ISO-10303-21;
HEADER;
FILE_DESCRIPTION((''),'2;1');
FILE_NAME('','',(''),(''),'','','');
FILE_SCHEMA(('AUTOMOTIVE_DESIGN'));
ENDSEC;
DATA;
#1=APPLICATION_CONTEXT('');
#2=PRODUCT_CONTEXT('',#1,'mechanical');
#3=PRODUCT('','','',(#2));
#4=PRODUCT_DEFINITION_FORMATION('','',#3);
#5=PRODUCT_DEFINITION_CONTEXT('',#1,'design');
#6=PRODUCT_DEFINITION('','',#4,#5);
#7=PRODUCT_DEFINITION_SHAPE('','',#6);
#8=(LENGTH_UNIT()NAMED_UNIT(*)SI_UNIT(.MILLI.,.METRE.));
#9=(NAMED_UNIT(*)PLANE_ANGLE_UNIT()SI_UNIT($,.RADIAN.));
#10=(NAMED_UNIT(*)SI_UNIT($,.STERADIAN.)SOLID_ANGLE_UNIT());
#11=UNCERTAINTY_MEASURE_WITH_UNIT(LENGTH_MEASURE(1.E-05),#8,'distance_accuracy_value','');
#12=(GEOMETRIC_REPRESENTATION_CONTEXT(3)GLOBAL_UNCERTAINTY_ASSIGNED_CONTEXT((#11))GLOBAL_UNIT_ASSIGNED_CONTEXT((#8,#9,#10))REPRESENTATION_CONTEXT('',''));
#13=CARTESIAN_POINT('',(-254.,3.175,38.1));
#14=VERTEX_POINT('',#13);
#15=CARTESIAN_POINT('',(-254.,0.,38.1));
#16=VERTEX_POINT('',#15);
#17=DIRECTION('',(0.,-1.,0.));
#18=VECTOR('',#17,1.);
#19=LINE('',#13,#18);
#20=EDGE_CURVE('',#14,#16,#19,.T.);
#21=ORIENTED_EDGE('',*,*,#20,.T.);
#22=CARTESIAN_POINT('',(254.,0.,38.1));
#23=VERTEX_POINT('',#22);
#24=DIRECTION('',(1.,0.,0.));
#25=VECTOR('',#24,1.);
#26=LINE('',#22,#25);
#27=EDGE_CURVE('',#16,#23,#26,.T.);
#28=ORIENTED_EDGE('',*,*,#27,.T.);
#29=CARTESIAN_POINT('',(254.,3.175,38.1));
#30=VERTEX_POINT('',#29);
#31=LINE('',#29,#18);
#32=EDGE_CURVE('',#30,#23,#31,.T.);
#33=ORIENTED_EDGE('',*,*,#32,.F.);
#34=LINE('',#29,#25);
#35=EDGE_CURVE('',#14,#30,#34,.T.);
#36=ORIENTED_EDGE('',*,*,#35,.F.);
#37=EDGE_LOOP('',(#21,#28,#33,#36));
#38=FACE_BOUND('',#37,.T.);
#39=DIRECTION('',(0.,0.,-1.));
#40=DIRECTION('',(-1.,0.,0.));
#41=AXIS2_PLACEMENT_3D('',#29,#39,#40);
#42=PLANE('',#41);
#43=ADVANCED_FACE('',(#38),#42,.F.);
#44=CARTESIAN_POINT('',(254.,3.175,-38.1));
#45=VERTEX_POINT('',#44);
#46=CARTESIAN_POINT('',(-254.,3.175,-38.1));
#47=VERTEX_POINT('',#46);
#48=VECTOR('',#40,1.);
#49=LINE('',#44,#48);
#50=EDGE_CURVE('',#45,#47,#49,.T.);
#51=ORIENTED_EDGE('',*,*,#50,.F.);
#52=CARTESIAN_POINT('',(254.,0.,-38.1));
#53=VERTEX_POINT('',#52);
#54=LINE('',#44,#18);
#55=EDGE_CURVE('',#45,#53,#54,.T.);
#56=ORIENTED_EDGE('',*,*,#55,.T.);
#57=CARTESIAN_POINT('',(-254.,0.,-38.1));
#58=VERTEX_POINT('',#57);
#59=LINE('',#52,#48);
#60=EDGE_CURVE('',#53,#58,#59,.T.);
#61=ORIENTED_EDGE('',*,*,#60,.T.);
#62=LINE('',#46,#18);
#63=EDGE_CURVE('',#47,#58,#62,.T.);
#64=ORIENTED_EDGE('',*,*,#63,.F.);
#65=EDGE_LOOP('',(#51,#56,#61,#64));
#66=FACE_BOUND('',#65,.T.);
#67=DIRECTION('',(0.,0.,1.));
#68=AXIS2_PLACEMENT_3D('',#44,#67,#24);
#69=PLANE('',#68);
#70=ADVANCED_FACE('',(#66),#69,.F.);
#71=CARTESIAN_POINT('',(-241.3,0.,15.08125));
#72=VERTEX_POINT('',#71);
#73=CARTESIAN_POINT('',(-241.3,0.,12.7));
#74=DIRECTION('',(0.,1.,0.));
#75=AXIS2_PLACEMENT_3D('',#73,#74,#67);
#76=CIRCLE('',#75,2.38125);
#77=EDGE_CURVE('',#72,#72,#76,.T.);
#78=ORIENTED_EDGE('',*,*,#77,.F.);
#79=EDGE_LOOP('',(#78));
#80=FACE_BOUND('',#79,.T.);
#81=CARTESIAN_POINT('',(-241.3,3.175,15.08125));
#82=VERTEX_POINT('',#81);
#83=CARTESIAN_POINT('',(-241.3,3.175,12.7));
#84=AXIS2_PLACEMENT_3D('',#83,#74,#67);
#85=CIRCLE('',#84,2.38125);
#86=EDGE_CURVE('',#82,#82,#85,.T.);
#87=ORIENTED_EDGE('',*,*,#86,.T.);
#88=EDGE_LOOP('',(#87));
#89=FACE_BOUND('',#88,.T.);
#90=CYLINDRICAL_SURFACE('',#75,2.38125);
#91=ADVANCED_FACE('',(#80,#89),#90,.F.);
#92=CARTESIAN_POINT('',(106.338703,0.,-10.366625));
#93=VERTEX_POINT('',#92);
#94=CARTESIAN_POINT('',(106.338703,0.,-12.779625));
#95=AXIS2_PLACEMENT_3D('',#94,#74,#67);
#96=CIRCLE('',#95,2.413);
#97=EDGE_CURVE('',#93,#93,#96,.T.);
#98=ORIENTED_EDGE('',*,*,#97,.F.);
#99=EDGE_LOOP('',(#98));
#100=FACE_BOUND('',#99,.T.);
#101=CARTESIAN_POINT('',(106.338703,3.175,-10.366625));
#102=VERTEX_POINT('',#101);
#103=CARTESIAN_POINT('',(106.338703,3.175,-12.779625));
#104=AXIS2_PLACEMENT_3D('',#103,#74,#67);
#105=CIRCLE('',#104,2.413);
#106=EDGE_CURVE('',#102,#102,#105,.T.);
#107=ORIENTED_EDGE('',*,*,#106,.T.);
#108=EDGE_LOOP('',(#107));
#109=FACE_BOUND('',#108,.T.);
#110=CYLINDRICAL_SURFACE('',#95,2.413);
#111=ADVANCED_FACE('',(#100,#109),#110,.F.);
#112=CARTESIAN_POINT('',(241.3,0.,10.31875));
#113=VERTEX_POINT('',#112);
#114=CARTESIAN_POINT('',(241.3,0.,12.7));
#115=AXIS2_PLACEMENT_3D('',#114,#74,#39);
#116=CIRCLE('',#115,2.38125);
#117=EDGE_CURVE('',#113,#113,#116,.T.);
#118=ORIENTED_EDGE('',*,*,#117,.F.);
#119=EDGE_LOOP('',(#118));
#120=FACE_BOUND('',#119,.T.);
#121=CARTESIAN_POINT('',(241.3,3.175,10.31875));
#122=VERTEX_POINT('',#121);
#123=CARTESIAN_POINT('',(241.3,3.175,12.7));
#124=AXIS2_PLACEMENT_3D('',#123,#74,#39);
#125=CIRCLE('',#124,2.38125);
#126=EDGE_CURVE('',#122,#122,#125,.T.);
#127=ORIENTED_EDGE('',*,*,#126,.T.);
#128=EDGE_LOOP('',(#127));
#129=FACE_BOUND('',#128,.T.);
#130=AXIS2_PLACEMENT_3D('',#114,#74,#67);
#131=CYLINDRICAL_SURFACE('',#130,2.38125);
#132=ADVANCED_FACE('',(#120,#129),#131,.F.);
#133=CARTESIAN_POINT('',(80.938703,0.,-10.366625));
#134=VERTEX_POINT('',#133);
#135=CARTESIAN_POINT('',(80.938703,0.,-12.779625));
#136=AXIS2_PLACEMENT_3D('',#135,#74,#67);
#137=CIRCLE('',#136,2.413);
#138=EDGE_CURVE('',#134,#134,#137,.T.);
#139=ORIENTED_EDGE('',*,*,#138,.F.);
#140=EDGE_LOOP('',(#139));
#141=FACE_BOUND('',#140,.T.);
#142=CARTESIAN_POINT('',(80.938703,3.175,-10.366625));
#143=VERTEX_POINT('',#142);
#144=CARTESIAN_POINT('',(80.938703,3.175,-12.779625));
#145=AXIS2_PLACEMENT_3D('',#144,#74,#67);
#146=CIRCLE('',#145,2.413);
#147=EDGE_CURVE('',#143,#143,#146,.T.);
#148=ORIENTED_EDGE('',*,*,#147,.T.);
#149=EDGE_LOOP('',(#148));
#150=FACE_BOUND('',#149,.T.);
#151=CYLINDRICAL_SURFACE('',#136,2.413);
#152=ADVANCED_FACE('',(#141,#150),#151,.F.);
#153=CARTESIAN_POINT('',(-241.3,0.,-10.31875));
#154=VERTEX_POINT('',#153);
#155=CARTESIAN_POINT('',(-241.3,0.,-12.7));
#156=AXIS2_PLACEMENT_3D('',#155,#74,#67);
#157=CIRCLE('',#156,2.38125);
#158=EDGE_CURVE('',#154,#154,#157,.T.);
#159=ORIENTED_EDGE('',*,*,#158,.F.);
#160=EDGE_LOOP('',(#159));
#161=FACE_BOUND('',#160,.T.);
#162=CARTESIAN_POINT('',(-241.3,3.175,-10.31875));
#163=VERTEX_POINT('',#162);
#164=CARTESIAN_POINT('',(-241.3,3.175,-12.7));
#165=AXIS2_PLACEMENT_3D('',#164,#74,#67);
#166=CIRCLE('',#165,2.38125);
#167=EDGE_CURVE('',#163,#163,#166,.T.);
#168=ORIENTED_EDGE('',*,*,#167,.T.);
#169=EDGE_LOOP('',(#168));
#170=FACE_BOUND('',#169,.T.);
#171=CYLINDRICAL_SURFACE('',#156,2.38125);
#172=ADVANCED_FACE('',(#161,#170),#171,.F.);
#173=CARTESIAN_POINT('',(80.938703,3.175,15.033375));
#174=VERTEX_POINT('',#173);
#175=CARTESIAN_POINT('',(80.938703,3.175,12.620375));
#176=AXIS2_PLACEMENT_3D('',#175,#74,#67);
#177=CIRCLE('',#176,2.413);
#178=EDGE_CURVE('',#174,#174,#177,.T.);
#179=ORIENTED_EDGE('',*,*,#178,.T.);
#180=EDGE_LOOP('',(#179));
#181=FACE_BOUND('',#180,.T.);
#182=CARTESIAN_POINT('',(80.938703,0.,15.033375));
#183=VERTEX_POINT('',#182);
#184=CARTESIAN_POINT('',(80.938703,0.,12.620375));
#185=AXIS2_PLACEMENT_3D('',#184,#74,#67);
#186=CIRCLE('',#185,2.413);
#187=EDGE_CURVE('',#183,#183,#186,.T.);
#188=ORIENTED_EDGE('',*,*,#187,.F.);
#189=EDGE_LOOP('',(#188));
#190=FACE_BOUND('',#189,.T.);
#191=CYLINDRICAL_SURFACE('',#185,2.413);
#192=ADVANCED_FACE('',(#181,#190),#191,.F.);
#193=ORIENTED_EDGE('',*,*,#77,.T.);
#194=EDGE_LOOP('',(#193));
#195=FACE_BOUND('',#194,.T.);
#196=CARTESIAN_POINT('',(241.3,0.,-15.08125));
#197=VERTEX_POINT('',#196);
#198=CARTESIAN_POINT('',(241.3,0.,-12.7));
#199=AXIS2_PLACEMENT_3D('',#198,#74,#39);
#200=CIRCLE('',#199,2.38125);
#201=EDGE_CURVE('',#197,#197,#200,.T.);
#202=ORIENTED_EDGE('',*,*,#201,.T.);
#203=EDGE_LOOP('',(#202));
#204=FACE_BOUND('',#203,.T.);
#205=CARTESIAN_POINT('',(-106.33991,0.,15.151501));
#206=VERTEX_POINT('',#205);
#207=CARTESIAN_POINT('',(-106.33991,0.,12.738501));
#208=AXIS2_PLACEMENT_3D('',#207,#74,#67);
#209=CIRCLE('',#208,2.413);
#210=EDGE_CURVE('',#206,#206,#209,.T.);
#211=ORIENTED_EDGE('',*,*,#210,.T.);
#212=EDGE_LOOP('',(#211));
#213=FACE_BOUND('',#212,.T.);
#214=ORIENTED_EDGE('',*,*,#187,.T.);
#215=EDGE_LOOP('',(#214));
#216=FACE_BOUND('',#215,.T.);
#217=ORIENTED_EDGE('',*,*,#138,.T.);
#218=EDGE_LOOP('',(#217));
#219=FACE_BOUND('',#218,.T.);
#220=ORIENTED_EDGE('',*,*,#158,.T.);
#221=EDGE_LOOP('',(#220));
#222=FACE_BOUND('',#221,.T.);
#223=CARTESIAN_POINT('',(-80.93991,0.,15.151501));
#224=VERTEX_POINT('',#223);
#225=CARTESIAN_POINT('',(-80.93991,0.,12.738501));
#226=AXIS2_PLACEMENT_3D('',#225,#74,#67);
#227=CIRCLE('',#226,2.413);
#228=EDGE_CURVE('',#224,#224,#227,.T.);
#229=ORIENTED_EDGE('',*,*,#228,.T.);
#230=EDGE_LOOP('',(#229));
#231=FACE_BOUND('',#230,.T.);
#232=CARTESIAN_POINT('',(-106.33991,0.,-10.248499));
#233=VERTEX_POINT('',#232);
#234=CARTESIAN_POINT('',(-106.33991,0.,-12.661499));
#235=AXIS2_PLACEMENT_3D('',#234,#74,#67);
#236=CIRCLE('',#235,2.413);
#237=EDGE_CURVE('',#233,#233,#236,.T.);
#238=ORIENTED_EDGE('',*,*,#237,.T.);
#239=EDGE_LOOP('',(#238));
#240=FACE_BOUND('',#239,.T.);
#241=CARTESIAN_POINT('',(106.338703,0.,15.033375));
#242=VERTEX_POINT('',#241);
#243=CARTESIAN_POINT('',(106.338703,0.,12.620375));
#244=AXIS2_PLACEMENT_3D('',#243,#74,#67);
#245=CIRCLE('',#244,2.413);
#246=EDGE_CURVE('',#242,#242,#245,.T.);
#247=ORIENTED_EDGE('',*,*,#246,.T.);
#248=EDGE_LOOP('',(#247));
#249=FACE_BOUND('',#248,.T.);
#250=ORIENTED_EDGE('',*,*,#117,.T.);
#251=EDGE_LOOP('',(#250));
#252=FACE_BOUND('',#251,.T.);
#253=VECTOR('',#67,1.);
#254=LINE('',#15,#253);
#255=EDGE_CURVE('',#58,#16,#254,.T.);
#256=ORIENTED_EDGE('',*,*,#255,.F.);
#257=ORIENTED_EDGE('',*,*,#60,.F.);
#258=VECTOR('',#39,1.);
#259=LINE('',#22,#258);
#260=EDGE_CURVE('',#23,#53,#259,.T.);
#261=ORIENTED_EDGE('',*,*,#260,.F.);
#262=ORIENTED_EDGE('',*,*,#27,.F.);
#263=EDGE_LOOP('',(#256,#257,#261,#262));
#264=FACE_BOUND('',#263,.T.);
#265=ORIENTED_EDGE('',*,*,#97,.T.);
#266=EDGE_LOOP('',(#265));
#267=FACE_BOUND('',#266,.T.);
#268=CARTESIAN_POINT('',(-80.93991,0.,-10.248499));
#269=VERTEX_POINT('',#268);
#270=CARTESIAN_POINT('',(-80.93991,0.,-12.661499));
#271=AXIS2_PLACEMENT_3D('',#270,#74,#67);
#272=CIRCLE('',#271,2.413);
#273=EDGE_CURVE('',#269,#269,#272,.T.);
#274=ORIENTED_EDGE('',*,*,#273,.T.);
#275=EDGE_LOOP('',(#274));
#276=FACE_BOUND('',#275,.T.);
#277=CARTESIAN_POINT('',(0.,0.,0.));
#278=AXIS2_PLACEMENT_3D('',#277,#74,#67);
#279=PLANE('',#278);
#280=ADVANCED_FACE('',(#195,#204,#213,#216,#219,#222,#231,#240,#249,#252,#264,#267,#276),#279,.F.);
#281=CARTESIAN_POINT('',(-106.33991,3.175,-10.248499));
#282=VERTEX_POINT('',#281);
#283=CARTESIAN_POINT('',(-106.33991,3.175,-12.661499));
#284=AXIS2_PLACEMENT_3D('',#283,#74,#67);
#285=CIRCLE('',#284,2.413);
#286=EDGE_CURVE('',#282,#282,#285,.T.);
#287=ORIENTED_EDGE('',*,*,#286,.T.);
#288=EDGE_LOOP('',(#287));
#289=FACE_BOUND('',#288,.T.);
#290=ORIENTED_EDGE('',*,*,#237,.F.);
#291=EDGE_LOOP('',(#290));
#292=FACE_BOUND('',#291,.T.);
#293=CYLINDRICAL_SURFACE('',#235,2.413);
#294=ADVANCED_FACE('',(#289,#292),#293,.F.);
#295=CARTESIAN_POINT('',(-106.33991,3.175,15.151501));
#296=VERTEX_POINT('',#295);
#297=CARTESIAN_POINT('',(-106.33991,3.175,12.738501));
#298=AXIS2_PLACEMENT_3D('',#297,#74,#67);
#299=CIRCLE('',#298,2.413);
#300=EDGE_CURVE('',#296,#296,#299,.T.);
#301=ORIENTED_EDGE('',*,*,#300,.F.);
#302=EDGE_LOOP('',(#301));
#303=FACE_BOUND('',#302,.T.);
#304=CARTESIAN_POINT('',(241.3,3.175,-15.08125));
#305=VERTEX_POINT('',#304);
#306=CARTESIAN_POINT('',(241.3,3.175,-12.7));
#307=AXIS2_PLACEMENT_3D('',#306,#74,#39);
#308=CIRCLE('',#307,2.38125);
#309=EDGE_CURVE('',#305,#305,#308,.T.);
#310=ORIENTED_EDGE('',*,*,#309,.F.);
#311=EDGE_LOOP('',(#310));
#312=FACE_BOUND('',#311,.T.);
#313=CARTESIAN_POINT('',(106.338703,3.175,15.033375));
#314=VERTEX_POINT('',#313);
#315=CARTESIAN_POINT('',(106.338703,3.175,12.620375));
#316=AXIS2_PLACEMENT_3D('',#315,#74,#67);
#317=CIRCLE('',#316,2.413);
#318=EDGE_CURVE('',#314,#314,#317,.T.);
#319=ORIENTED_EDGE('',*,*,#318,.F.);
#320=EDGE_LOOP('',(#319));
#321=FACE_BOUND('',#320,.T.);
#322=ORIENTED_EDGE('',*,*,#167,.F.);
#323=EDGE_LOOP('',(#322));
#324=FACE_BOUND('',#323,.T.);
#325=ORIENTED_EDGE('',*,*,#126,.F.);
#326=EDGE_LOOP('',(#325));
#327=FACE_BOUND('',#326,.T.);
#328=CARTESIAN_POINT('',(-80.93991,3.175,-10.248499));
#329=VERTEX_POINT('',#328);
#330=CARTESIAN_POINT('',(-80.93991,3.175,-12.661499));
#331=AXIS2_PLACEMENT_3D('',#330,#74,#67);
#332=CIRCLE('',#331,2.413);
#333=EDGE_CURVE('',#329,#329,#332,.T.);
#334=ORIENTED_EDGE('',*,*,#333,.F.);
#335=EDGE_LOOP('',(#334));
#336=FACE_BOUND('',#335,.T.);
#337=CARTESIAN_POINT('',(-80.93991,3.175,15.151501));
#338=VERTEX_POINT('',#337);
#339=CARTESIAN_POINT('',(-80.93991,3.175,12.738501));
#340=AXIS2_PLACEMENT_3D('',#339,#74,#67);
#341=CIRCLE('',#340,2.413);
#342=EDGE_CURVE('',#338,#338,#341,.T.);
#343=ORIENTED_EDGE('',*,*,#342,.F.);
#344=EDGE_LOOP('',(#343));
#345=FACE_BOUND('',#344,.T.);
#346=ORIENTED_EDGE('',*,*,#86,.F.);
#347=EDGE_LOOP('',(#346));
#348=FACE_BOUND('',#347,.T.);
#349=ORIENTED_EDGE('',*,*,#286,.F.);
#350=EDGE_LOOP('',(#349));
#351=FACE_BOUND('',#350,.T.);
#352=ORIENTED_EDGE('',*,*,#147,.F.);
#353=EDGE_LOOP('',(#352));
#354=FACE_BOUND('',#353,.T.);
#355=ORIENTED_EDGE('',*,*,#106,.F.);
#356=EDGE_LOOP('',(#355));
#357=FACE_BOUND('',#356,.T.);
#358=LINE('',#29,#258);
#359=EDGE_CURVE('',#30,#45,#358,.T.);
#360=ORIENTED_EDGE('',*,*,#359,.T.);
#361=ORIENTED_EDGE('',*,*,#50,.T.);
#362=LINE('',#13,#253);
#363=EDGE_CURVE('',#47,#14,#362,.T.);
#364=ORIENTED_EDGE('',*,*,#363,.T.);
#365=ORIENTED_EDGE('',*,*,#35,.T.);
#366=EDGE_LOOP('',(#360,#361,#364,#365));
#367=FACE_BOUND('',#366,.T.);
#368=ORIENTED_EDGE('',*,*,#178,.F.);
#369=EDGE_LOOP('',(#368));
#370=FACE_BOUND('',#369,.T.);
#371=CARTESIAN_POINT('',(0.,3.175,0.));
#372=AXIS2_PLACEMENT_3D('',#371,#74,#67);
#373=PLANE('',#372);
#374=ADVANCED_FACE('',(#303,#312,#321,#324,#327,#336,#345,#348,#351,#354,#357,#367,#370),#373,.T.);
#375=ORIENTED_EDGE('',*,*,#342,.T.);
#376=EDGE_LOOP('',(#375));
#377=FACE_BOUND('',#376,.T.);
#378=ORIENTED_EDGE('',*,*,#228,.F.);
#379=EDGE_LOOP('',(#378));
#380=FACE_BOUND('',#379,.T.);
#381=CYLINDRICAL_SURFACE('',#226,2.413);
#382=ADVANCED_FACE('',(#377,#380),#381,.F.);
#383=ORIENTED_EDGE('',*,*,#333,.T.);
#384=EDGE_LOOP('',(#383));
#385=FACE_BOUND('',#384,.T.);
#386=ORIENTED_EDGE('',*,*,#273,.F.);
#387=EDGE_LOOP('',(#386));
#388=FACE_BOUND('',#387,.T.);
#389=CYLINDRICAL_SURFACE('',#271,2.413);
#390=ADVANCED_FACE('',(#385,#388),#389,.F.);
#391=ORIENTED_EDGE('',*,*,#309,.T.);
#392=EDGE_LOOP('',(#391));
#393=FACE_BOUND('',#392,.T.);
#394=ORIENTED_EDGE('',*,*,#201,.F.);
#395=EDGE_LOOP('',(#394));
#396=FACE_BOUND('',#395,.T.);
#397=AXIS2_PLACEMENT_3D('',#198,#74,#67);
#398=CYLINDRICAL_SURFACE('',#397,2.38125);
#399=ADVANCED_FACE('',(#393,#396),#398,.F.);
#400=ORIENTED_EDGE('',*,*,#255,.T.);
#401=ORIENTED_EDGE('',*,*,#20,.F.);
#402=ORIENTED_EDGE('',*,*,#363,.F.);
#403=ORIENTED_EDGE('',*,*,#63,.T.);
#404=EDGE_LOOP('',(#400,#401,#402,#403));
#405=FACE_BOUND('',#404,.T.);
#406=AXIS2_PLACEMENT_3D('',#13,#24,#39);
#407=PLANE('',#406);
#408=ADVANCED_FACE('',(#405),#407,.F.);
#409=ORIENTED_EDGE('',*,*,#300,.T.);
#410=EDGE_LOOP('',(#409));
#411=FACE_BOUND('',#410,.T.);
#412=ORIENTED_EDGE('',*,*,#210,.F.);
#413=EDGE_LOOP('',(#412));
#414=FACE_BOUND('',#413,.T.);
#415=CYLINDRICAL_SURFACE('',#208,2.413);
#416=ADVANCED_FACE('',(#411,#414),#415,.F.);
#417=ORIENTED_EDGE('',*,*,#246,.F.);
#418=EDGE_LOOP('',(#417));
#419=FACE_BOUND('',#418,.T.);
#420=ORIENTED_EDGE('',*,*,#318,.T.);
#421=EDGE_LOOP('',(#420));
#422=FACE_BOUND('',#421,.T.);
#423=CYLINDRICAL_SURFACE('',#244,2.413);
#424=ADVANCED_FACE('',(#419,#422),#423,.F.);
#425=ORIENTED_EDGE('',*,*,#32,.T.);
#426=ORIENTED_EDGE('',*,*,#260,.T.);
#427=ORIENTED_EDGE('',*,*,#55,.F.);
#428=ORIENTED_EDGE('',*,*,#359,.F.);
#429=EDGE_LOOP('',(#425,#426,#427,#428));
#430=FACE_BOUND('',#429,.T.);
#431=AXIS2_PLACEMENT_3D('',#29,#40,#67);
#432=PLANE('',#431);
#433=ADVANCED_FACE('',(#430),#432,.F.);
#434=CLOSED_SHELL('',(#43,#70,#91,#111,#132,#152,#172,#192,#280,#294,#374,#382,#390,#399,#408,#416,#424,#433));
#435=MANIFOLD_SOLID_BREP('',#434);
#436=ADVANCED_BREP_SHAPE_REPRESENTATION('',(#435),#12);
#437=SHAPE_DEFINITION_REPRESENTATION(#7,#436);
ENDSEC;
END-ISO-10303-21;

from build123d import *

# Parameters (mm, degrees)
SKETCH1_W           = 508
SKETCH1_H           = 76.2
BOSS_EXTRUDE1_DEPTH = 3.175
SKETCH2_R           = 2.413
CUT_EXTRUDE1_DEPTH  = 3.175
SKETCH3_R           = 2.38125
CUT_EXTRUDE2_DEPTH  = 3.175


with BuildPart() as part:
    # Sketch1 → Boss-Extrude1 (new body)
    with BuildSketch(Plane(origin=(0, 0, 0), x_dir=(1, 0, 0), z_dir=(0, 1, 0))):
        Rectangle(SKETCH1_W, SKETCH1_H)
    extrude(amount=BOSS_EXTRUDE1_DEPTH)

    # Sketch2 → Cut-Extrude1 (cut)
    with BuildSketch(Plane(origin=(0, 3.175, 0), x_dir=(1, 0, 0), z_dir=(0, 1, 0))):
        with Locations((-106.339909649, -12.738500789)):
            Circle(SKETCH2_R)
        with Locations((-106.339909649, 12.661499211)):
            Circle(SKETCH2_R)
        with Locations((-80.939909649, 12.661499211)):
            Circle(SKETCH2_R)
        with Locations((-80.939909649, -12.738500789)):
            Circle(SKETCH2_R)
        with Locations((106.338702735, -12.620374528)):
            Circle(SKETCH2_R)
        with Locations((106.338702735, 12.779625472)):
            Circle(SKETCH2_R)
        with Locations((80.938702735, 12.779625472)):
            Circle(SKETCH2_R)
        with Locations((80.938702735, -12.620374528)):
            Circle(SKETCH2_R)
    extrude(amount=-CUT_EXTRUDE1_DEPTH, mode=Mode.SUBTRACT)

    # Sketch3 → Cut-Extrude2 (cut)
    with BuildSketch(Plane(origin=(0, 3.175, 0), x_dir=(1, 0, 0), z_dir=(0, 1, 0))):
        with Locations((-241.3, 12.7)):
            Circle(SKETCH3_R)
        with Locations((-241.3, -12.7)):
            Circle(SKETCH3_R)
        with Locations((241.3, -12.7)):
            Circle(SKETCH3_R)
        with Locations((241.3, 12.7)):
            Circle(SKETCH3_R)
    extrude(amount=-CUT_EXTRUDE2_DEPTH, mode=Mode.SUBTRACT)


solid = part.part
